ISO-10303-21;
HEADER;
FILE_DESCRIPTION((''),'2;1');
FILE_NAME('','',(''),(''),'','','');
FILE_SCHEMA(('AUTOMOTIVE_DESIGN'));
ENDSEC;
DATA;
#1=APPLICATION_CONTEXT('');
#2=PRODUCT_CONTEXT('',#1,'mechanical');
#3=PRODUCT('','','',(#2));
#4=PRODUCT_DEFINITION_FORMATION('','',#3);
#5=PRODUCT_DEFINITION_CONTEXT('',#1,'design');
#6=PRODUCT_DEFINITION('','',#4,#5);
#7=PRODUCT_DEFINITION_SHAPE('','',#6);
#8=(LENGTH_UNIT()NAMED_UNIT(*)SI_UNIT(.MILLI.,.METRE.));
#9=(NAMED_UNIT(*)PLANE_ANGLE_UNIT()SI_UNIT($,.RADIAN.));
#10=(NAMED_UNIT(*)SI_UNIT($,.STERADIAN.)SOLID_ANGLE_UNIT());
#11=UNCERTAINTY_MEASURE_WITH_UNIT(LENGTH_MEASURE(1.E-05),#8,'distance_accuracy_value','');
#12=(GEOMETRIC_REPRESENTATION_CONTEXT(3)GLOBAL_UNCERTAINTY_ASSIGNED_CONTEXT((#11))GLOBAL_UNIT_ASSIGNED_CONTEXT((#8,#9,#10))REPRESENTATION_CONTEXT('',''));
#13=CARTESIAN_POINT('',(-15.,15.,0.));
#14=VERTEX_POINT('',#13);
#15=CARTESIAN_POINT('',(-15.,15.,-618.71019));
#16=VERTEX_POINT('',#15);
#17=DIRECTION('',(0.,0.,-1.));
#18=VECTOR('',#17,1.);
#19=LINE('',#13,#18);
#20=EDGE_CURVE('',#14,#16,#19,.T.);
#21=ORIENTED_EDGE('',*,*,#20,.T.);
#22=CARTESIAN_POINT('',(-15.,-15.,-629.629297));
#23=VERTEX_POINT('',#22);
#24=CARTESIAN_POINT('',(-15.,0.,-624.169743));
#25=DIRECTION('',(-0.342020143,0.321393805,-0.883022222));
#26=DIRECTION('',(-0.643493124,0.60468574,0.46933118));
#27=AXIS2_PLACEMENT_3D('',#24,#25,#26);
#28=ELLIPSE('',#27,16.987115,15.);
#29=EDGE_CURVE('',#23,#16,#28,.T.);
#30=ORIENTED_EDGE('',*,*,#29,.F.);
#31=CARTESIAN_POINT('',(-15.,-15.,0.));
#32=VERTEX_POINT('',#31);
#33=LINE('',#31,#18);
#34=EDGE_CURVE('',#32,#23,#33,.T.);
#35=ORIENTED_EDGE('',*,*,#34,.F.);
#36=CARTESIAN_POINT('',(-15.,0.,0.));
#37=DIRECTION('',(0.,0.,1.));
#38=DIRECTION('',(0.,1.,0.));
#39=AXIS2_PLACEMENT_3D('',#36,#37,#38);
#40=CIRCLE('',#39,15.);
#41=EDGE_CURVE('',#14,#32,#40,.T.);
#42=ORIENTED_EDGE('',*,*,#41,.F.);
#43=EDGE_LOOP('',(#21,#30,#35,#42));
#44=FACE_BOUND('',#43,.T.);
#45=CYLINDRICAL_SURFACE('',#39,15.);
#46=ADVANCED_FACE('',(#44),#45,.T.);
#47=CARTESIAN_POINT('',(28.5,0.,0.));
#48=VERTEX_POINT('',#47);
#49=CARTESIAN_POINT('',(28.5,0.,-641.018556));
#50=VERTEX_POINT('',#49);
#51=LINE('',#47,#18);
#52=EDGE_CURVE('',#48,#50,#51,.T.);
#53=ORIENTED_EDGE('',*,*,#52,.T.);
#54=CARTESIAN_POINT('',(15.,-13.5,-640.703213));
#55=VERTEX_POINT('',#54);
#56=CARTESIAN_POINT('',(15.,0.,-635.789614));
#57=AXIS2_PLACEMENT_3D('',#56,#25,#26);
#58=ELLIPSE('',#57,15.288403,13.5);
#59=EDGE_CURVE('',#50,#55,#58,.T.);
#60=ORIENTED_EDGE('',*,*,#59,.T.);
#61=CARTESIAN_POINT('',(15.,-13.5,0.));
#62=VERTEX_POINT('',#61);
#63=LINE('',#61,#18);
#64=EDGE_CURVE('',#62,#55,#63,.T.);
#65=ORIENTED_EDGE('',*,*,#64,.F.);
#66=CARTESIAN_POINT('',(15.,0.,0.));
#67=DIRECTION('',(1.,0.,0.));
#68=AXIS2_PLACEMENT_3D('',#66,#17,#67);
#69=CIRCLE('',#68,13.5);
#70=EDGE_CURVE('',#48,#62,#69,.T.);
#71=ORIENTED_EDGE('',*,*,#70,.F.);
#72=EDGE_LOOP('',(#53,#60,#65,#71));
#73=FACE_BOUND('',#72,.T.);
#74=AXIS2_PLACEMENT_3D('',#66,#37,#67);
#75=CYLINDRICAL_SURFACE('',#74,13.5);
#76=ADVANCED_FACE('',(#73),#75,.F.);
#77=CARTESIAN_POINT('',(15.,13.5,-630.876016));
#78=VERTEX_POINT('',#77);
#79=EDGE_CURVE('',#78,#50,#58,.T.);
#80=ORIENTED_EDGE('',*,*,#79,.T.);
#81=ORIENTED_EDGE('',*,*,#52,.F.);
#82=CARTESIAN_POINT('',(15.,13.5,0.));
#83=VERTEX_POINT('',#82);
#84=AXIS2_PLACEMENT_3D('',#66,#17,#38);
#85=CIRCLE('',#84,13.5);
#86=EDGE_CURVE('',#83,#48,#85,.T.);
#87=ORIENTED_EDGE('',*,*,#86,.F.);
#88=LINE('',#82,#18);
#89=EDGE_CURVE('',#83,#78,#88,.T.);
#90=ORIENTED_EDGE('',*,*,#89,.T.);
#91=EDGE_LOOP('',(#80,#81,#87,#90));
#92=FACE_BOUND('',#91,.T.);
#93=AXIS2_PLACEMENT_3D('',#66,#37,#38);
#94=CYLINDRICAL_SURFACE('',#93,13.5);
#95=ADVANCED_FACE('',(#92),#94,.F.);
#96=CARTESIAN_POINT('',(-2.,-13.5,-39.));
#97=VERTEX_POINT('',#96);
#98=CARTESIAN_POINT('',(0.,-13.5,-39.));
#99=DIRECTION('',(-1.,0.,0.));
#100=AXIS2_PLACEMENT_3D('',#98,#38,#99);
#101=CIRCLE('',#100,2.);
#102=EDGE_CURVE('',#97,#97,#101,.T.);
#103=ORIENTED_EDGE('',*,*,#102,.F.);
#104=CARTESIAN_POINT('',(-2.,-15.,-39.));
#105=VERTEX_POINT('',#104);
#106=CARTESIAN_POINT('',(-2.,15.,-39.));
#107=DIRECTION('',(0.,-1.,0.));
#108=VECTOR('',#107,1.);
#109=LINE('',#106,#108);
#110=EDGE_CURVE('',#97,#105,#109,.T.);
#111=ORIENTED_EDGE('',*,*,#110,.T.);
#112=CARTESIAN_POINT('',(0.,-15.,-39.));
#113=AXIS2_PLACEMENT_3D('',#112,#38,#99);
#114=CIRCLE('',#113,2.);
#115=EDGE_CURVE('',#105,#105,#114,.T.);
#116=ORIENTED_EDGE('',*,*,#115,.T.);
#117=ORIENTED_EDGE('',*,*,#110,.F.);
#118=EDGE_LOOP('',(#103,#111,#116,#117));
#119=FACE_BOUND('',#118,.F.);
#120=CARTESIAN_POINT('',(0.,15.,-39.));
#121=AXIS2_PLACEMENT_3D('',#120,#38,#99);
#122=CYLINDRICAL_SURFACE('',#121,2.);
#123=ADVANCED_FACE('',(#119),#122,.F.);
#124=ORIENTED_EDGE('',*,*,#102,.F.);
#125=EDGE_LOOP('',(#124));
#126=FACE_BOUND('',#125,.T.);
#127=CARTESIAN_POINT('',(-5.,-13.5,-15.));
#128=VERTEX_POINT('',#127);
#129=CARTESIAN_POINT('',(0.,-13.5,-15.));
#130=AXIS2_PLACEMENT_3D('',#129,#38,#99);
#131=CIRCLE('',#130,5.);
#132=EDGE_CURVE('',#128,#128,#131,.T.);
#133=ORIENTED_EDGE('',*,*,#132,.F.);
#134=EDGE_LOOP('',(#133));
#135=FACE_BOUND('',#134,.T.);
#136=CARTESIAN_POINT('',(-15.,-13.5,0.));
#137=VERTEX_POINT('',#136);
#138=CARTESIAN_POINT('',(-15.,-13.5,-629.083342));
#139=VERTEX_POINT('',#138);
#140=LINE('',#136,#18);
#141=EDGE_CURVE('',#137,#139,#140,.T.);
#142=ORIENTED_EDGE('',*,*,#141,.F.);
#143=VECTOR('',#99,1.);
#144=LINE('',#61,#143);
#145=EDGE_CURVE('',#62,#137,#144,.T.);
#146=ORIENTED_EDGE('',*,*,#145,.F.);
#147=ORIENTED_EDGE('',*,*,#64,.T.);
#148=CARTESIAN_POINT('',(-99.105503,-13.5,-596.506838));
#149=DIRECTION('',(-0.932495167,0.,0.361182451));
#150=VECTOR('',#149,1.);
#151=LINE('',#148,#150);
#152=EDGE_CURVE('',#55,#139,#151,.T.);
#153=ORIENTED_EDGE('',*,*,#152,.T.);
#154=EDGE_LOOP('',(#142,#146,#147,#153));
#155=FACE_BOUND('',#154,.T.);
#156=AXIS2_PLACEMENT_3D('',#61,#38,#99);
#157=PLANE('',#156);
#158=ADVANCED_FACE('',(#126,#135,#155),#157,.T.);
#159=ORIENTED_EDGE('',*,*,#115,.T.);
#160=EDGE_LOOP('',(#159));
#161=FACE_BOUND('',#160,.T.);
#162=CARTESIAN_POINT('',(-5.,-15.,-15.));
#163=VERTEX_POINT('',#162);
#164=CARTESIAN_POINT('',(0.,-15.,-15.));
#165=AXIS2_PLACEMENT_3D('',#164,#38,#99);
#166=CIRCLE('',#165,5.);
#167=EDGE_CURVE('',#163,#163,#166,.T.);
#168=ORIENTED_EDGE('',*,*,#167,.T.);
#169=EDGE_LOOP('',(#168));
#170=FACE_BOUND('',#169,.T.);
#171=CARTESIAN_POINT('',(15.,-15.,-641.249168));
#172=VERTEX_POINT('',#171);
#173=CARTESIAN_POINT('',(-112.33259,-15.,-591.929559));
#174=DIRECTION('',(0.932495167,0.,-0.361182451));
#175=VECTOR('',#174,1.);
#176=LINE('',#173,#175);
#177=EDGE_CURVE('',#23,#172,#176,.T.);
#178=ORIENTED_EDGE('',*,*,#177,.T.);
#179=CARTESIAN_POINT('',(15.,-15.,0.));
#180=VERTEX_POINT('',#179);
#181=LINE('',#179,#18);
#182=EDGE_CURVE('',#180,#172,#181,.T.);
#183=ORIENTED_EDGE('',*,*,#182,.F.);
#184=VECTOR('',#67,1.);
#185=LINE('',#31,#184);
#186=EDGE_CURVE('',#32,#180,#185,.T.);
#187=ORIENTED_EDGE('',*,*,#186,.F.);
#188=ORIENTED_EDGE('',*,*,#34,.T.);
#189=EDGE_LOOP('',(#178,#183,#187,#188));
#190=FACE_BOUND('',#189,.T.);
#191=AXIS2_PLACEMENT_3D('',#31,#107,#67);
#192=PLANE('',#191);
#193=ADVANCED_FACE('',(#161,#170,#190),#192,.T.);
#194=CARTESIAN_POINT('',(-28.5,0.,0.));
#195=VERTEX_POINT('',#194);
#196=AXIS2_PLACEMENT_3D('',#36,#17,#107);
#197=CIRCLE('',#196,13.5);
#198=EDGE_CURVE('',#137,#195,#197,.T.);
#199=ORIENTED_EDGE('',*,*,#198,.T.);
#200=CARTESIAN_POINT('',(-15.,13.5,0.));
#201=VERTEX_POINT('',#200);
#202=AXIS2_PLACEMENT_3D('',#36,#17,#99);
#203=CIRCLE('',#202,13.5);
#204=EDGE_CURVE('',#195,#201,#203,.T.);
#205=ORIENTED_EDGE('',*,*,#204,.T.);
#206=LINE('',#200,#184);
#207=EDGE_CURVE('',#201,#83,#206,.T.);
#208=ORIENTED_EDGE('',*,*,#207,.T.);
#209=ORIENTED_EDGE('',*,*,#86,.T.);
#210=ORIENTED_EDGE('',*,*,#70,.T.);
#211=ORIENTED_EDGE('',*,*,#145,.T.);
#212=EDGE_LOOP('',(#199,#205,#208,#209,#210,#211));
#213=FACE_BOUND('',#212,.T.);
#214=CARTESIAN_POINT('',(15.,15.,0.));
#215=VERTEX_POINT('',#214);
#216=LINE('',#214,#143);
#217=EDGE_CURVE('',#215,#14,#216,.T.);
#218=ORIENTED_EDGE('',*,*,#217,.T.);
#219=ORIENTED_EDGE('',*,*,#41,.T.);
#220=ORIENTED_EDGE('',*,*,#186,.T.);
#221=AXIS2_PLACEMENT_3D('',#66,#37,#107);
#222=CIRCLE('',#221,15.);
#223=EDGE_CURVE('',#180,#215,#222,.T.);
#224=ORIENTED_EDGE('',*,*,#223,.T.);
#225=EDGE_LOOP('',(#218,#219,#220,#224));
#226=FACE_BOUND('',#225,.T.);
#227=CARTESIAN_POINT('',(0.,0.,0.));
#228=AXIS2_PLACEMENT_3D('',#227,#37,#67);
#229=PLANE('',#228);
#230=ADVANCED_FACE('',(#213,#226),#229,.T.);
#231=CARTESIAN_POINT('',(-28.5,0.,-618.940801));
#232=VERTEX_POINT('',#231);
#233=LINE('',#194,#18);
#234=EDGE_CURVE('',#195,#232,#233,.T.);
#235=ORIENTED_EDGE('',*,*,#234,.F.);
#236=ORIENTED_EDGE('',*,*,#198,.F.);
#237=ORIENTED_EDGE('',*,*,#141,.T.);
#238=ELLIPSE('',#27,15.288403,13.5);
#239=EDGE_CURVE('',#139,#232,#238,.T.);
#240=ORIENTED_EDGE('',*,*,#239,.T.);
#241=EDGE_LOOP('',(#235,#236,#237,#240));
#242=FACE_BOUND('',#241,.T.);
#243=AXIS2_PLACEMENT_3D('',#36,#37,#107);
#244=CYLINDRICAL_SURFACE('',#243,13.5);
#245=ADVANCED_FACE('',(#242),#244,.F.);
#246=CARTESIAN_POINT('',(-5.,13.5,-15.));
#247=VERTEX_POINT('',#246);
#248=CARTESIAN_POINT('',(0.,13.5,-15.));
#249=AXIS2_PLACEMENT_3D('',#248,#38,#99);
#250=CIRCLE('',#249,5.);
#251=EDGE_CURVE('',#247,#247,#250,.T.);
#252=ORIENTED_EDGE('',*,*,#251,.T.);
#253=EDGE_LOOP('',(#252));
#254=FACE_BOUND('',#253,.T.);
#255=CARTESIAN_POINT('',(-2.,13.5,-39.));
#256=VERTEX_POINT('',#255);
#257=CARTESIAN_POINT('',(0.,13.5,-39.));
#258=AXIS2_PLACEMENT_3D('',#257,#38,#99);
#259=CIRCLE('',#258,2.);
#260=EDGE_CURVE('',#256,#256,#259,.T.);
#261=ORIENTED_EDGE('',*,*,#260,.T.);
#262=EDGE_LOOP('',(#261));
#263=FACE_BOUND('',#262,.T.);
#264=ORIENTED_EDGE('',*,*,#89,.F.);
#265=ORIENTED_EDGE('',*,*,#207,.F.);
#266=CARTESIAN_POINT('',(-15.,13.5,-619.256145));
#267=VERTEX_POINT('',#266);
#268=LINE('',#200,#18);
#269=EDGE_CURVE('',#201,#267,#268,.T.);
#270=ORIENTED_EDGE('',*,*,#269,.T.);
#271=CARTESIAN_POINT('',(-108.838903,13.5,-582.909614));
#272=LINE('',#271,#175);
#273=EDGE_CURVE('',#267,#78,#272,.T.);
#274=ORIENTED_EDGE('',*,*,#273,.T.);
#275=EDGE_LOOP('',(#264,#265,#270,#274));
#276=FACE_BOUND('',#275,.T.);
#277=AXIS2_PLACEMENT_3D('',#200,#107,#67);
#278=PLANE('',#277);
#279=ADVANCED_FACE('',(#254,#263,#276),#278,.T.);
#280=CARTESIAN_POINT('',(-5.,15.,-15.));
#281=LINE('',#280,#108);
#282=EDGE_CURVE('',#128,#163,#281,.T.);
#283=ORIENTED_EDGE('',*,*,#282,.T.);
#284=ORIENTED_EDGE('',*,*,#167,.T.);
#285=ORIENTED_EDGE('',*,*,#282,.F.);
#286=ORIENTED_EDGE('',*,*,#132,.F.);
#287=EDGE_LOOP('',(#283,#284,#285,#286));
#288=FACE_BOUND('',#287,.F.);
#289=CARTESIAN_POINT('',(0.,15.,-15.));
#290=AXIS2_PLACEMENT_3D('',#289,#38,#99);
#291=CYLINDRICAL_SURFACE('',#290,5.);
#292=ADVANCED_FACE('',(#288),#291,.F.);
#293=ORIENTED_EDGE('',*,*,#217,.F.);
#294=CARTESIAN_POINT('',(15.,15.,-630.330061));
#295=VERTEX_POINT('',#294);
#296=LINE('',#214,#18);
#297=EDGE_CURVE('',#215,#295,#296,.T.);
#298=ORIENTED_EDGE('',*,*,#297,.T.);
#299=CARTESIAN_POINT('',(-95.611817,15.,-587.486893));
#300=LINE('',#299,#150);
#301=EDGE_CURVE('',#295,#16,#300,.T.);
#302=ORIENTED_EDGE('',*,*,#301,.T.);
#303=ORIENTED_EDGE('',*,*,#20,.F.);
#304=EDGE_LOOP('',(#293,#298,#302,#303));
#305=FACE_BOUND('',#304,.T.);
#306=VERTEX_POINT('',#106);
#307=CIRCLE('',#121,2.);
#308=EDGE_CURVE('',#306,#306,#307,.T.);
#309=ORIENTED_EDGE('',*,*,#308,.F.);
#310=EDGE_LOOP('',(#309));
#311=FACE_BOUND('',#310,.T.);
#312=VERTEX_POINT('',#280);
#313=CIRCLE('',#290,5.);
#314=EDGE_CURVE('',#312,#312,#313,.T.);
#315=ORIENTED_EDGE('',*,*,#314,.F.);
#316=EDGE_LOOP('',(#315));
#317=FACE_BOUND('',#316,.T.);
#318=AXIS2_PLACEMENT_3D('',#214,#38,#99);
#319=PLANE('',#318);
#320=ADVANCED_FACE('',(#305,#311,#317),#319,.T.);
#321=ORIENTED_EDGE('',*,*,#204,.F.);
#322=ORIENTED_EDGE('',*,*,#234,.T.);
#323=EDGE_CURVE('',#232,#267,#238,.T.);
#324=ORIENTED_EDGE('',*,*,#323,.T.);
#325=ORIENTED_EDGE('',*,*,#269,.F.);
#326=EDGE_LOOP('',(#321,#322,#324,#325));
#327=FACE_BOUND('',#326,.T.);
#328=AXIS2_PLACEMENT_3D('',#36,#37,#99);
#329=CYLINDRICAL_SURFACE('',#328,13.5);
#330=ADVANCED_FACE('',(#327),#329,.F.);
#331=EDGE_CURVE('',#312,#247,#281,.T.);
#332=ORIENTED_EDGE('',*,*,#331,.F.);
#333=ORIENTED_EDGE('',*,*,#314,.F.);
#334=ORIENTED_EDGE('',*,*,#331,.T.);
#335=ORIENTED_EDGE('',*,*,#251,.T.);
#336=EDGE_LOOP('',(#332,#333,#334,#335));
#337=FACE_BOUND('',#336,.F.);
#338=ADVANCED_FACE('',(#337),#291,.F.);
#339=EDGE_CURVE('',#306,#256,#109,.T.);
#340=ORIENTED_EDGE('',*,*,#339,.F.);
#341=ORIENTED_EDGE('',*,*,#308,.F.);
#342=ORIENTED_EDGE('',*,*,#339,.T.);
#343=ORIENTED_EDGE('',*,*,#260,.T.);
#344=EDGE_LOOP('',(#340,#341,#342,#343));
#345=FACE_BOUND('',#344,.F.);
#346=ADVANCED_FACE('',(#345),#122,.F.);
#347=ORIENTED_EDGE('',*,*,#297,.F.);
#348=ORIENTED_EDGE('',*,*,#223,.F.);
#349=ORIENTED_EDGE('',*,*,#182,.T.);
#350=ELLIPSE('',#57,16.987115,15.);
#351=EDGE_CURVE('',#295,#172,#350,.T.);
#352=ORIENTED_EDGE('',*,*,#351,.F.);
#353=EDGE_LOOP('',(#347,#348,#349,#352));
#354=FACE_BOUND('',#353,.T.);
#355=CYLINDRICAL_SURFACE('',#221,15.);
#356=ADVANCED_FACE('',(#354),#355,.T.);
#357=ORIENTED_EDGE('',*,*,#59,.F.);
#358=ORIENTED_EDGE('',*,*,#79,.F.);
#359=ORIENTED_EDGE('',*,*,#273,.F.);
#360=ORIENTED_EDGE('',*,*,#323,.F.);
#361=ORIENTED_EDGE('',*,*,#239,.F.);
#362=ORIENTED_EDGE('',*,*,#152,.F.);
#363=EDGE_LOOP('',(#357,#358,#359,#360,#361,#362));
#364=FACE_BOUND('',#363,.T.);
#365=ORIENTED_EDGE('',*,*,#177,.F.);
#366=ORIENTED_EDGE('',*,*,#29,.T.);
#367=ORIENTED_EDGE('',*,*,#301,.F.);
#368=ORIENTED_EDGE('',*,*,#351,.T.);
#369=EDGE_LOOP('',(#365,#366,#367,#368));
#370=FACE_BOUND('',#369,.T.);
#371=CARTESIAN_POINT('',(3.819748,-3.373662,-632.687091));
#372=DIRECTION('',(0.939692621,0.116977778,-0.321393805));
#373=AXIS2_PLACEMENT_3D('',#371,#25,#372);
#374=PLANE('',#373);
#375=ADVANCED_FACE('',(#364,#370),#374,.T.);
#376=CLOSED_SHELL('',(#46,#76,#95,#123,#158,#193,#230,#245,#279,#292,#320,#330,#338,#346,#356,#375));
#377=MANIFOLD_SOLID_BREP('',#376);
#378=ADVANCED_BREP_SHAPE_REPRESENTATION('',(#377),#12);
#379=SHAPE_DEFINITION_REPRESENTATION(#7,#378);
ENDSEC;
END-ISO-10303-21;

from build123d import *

# Parameters (mm, degrees)
F1_DEPTH      = 644
F2_R          = 5
F2_R_2        = 2
F3_DEPTH      = 40
F8_W          = 94.9183702469
F8_H          = 83.3485722542
F9_DEPTH      = 11
F9_DEPTH_BACK = 25


with BuildPart() as f1:
    # F0 (on Top) → F1 (new body)
    with BuildSketch(Plane.XY):
        with BuildLine():
            Line((15, 15), (-15, 15))
            ThreePointArc((-15, 15), (-25.6066017178, 10.6066017178), (-30, 0))
            ThreePointArc((-30, 0), (-25.6066017178, -10.6066017178), (-15, -15))
            Line((-15, -15), (15, -15))
            ThreePointArc((15, -15), (25.6066017178, -10.6066017178), (30, 0))
            ThreePointArc((30, 0), (25.6066017178, 10.6066017178), (15, 15))
        make_face()
        with BuildLine():
            ThreePointArc((-28.5, 0), (-24.545941546, 9.545941546), (-15, 13.5))
            Line((-15, 13.5), (15, 13.5))
            ThreePointArc((15, 13.5), (24.545941546, 9.545941546), (28.5, 0))
            ThreePointArc((28.5, 0), (24.545941546, -9.545941546), (15, -13.5))
            Line((15, -13.5), (-15, -13.5))
            ThreePointArc((-15, -13.5), (-24.545941546, -9.545941546), (-28.5, 0))
        make_face(mode=Mode.SUBTRACT)
    extrude(amount=-F1_DEPTH)

    # F2 (on face) → F3 (cut)
    with BuildSketch(Plane(origin=(0, 15, 0), x_dir=(-1, 0, 0), z_dir=(0, 1, 0))):
        with Locations((0, -15)):
            Circle(F2_R)
        with Locations((0, -39)):
            Circle(F2_R_2)
    extrude(amount=-F3_DEPTH, mode=Mode.SUBTRACT)

    # F8 (on face) → F9 (cut, two sides)
    with BuildSketch(Plane(origin=(-194.0232580496, 182.3222238501, -500.9261930928), x_dir=(0.9396926208, 0.1169777784, -0.3213938048), z_dir=(-0.3420201433, 0.3213938048, -0.8830222216))) as f9_sk:
        with Locations((206.5364569426, 219.5619344711)):
            Rectangle(F8_W, F8_H)
    extrude(amount=-F9_DEPTH, mode=Mode.SUBTRACT)
    extrude(f9_sk.sketch, amount=F9_DEPTH_BACK, mode=Mode.SUBTRACT)


solid = f1.part
